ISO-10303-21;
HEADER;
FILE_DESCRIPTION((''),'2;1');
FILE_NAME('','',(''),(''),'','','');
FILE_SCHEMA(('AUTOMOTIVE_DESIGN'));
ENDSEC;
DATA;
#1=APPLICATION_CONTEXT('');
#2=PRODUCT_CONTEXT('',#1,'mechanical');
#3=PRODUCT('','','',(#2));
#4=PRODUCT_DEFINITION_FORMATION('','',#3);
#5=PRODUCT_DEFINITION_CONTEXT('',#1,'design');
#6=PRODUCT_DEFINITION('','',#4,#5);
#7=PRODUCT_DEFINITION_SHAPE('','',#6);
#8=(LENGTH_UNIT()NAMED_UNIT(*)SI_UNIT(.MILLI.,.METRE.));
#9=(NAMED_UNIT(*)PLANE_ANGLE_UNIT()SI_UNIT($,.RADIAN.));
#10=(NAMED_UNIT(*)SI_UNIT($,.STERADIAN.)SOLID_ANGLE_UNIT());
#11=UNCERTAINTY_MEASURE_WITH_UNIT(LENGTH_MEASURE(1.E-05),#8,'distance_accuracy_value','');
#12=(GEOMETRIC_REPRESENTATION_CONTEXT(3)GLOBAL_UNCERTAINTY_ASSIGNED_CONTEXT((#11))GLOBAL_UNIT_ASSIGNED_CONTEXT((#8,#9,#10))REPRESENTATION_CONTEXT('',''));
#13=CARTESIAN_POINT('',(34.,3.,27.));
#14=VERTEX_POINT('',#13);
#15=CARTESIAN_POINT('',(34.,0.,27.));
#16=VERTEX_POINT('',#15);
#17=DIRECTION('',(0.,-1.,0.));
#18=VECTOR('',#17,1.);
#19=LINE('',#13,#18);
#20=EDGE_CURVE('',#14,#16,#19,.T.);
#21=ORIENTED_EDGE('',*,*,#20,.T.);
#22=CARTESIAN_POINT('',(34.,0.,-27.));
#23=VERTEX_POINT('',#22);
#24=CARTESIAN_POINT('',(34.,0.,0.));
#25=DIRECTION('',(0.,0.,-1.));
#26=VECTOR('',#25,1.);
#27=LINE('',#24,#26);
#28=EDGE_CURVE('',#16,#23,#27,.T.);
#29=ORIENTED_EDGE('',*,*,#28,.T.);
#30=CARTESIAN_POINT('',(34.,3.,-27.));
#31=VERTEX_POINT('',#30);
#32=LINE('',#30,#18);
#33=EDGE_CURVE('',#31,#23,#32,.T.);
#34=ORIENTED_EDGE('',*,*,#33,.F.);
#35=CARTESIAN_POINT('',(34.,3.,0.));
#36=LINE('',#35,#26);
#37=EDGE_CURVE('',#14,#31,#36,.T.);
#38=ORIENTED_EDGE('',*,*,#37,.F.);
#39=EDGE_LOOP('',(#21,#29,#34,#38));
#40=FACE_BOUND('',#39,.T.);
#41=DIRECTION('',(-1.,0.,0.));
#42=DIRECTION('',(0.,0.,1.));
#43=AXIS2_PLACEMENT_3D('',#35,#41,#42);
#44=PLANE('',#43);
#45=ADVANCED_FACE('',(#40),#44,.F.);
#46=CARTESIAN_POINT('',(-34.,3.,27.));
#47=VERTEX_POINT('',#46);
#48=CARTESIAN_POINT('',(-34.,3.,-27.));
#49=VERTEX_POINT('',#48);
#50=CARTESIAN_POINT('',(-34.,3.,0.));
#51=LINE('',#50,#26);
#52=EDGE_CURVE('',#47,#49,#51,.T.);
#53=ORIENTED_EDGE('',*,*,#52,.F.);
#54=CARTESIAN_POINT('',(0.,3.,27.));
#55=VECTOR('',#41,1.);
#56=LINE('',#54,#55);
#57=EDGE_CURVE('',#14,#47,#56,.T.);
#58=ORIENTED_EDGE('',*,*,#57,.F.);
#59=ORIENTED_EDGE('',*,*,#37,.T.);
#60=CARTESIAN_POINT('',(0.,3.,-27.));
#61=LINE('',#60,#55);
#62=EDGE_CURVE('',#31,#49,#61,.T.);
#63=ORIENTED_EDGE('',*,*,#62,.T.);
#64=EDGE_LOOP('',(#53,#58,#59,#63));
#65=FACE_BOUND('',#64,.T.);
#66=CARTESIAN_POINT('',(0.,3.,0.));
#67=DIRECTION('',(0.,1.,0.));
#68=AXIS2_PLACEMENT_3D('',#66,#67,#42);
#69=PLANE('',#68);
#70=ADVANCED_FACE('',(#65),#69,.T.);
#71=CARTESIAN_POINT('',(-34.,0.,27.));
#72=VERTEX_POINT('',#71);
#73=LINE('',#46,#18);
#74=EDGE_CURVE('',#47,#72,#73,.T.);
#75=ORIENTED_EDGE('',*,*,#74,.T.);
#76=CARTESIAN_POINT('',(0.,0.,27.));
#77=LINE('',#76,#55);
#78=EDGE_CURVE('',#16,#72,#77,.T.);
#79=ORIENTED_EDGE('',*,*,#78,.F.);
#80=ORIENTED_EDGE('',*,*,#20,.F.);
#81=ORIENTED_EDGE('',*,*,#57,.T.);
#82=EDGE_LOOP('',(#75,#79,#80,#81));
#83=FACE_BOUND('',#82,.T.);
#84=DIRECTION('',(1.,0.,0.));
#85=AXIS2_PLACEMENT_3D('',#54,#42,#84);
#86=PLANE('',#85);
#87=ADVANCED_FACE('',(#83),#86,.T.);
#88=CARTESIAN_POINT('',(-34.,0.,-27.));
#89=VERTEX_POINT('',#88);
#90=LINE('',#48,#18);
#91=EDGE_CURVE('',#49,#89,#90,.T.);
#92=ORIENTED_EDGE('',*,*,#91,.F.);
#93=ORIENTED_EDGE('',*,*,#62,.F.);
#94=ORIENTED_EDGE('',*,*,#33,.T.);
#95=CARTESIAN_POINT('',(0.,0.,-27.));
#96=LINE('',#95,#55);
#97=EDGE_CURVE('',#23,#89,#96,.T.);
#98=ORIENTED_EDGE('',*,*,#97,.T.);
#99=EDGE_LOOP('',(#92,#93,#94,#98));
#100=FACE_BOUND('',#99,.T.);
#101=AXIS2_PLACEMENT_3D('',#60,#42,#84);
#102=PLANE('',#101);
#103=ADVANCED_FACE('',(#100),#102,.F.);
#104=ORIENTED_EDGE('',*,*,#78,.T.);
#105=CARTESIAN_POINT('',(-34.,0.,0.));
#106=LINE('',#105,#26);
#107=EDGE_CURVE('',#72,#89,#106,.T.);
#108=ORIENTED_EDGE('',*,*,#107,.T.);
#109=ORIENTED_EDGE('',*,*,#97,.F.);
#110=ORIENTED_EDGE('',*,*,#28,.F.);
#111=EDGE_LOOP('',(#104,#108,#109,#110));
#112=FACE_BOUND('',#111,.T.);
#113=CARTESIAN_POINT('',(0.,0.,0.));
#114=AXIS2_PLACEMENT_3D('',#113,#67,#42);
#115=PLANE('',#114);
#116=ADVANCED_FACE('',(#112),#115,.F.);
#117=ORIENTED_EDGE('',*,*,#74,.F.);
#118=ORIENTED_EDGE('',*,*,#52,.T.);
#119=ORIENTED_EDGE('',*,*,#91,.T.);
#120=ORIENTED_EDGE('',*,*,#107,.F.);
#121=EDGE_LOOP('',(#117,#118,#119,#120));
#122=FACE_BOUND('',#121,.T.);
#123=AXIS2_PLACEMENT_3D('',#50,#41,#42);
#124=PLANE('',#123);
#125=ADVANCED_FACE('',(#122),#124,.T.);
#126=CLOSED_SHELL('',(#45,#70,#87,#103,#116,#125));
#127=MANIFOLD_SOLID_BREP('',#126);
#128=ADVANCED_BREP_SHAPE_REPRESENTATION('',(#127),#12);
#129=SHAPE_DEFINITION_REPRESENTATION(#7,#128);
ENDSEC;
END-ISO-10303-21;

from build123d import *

# Parameters (mm, degrees)
SKETCH1_W           = 62
SKETCH1_H           = 48
BOSS_EXTRUDE1_DEPTH = 3


with BuildPart() as part:
    # Sketch1 → Boss-Extrude1 (new body)
    with BuildSketch(Plane(origin=(0, 0, 0), x_dir=(1, 0, 0), z_dir=(0, 1, 0))):
        Rectangle(SKETCH1_W, SKETCH1_H)
        Polygon((31, 24), (-31, 24), (-34, 27), (34, 27), align=None)
        Polygon((-31, -24), (-34, -27), (-34, 27), (-31, 24), align=None)
        Polygon((31, -24), (-31, -24), (-34, -27), (34, -27), align=None)
        Polygon((34, -27), (31, -24), (31, 24), (34, 27), align=None)
    extrude(amount=BOSS_EXTRUDE1_DEPTH)


solid = part.part
